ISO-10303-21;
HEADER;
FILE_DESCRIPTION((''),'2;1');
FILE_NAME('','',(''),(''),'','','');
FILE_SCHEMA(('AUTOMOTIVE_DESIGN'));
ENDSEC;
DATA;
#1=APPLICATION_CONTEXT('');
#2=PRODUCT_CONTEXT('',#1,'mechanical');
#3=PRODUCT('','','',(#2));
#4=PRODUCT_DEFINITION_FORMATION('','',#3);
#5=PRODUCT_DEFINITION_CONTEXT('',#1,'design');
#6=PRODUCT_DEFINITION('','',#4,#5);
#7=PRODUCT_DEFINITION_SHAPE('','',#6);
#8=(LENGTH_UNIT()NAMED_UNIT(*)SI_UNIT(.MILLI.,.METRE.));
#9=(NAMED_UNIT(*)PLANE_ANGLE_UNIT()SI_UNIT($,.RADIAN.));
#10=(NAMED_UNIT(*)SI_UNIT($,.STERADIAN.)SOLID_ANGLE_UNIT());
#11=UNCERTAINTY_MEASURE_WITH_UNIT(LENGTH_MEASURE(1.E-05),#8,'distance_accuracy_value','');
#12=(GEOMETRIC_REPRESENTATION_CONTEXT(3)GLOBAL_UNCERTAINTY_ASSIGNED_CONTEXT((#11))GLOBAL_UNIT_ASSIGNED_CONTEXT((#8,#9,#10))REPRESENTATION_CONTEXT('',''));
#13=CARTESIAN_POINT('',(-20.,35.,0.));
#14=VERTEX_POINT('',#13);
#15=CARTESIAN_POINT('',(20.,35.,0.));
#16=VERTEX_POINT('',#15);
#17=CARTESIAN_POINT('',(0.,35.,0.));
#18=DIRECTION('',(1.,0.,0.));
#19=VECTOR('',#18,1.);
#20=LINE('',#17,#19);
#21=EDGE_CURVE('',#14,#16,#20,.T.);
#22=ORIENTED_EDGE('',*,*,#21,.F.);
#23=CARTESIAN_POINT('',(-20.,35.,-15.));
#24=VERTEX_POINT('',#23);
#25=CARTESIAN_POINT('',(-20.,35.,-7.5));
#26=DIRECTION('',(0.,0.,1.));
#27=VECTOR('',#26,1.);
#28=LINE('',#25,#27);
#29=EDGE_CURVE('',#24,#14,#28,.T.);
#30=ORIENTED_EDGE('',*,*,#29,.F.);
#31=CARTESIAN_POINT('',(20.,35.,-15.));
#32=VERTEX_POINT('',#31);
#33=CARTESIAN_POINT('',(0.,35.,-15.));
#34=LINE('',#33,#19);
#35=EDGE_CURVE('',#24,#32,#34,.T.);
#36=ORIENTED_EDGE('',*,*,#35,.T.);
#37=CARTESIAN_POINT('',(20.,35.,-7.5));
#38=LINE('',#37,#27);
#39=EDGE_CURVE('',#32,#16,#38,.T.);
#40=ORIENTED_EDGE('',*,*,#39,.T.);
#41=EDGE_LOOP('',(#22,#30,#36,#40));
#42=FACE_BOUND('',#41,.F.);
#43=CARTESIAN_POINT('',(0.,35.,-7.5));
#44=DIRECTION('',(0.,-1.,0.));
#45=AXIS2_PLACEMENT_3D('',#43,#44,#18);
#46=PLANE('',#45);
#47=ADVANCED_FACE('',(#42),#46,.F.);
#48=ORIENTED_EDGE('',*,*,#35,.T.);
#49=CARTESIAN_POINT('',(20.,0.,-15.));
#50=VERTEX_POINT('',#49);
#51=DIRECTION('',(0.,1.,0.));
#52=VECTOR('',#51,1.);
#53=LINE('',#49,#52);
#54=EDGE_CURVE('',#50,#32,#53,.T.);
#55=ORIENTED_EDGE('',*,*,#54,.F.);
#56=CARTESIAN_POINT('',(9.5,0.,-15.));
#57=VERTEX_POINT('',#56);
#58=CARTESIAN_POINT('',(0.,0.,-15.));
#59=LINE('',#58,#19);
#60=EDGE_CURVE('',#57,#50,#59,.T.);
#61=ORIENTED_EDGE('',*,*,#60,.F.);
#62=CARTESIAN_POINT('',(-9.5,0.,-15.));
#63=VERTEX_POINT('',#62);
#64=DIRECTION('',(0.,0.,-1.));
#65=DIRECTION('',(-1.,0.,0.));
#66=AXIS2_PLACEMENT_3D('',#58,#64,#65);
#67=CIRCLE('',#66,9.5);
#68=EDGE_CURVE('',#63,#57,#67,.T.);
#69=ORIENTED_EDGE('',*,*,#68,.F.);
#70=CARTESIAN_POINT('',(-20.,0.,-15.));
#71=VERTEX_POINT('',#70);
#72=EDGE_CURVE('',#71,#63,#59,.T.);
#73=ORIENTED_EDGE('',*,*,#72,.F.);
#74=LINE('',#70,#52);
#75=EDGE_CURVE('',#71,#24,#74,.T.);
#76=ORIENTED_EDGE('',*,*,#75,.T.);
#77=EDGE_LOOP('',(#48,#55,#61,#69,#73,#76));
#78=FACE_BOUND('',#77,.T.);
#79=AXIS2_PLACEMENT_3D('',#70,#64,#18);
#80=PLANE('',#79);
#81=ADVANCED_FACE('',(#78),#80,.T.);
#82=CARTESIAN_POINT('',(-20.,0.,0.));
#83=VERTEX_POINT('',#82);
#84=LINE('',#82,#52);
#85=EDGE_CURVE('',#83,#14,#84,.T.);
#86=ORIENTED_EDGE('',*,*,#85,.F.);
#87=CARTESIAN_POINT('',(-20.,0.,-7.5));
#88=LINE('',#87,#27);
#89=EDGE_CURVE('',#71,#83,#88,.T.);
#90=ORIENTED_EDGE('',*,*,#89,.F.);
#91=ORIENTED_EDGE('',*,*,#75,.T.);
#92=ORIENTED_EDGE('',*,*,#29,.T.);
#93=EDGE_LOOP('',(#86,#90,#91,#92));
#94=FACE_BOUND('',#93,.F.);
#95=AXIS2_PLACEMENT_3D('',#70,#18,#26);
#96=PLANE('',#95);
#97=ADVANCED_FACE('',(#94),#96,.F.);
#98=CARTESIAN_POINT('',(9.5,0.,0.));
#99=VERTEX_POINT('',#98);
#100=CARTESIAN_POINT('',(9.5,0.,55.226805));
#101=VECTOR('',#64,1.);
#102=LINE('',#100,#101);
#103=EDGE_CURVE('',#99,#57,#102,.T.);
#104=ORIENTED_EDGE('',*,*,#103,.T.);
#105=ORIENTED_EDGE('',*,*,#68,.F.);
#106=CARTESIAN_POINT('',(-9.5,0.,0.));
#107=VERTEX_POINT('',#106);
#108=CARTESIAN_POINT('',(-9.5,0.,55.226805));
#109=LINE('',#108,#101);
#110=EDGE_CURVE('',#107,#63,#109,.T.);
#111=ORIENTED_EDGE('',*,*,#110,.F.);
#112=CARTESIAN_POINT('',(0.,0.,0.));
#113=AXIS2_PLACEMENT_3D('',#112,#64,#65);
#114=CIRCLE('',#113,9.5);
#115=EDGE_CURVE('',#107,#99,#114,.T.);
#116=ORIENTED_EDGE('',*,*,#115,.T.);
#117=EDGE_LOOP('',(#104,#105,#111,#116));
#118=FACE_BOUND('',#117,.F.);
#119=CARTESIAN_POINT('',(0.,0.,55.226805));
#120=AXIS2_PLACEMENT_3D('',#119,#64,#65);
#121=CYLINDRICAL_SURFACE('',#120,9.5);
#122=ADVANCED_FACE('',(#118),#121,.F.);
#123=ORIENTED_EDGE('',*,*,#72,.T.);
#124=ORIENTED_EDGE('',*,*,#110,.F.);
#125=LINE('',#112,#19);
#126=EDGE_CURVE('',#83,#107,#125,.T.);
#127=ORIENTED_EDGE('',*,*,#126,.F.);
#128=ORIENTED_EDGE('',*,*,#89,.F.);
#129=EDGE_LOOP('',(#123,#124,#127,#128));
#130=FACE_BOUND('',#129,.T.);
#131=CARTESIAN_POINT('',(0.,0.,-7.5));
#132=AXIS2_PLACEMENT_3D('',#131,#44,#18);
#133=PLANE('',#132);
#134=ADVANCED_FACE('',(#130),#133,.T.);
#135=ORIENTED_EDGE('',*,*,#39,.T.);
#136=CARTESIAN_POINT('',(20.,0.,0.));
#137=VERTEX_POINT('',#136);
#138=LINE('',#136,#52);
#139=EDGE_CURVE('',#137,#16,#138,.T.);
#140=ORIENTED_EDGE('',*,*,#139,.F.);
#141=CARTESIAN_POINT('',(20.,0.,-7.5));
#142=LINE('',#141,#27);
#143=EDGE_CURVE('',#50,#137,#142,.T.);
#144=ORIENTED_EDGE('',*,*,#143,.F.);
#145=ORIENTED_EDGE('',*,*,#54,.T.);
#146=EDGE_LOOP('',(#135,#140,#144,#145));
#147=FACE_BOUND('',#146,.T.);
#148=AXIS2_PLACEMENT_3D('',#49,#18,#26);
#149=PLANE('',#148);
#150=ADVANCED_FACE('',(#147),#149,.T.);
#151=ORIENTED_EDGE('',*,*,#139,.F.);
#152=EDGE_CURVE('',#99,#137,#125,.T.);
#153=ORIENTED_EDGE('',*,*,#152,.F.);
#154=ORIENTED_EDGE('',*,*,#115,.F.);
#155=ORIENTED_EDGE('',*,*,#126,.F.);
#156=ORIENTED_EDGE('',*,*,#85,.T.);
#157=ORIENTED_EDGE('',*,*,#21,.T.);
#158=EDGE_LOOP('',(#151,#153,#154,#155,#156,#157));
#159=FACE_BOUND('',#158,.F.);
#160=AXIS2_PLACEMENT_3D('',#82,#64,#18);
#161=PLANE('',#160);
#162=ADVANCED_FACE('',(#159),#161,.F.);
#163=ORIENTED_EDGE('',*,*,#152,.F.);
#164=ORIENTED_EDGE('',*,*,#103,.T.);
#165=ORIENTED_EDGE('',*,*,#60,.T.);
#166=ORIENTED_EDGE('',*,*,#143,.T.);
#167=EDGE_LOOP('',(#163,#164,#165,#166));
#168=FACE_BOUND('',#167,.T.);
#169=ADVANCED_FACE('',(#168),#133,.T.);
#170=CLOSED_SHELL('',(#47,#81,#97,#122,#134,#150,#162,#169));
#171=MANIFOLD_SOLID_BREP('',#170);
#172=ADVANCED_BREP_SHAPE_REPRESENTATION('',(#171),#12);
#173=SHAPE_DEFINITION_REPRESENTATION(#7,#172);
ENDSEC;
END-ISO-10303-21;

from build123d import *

# Parameters (mm, degrees)
F0_W     = 40
F0_H     = 15
F1_DEPTH = 35
F3_D     = 19


with BuildPart() as f1:
    # F0 (on Front) → F1 (new body)
    with BuildSketch(Plane.XZ):
        with Locations((0, -7.5)):
            Rectangle(F0_W, F0_H)
    extrude(amount=-F1_DEPTH)

    # F3 (through all)
    with Locations(Plane.XY):
        with Locations((0, 0)):
            Hole(F3_D / 2)


solid = f1.part
